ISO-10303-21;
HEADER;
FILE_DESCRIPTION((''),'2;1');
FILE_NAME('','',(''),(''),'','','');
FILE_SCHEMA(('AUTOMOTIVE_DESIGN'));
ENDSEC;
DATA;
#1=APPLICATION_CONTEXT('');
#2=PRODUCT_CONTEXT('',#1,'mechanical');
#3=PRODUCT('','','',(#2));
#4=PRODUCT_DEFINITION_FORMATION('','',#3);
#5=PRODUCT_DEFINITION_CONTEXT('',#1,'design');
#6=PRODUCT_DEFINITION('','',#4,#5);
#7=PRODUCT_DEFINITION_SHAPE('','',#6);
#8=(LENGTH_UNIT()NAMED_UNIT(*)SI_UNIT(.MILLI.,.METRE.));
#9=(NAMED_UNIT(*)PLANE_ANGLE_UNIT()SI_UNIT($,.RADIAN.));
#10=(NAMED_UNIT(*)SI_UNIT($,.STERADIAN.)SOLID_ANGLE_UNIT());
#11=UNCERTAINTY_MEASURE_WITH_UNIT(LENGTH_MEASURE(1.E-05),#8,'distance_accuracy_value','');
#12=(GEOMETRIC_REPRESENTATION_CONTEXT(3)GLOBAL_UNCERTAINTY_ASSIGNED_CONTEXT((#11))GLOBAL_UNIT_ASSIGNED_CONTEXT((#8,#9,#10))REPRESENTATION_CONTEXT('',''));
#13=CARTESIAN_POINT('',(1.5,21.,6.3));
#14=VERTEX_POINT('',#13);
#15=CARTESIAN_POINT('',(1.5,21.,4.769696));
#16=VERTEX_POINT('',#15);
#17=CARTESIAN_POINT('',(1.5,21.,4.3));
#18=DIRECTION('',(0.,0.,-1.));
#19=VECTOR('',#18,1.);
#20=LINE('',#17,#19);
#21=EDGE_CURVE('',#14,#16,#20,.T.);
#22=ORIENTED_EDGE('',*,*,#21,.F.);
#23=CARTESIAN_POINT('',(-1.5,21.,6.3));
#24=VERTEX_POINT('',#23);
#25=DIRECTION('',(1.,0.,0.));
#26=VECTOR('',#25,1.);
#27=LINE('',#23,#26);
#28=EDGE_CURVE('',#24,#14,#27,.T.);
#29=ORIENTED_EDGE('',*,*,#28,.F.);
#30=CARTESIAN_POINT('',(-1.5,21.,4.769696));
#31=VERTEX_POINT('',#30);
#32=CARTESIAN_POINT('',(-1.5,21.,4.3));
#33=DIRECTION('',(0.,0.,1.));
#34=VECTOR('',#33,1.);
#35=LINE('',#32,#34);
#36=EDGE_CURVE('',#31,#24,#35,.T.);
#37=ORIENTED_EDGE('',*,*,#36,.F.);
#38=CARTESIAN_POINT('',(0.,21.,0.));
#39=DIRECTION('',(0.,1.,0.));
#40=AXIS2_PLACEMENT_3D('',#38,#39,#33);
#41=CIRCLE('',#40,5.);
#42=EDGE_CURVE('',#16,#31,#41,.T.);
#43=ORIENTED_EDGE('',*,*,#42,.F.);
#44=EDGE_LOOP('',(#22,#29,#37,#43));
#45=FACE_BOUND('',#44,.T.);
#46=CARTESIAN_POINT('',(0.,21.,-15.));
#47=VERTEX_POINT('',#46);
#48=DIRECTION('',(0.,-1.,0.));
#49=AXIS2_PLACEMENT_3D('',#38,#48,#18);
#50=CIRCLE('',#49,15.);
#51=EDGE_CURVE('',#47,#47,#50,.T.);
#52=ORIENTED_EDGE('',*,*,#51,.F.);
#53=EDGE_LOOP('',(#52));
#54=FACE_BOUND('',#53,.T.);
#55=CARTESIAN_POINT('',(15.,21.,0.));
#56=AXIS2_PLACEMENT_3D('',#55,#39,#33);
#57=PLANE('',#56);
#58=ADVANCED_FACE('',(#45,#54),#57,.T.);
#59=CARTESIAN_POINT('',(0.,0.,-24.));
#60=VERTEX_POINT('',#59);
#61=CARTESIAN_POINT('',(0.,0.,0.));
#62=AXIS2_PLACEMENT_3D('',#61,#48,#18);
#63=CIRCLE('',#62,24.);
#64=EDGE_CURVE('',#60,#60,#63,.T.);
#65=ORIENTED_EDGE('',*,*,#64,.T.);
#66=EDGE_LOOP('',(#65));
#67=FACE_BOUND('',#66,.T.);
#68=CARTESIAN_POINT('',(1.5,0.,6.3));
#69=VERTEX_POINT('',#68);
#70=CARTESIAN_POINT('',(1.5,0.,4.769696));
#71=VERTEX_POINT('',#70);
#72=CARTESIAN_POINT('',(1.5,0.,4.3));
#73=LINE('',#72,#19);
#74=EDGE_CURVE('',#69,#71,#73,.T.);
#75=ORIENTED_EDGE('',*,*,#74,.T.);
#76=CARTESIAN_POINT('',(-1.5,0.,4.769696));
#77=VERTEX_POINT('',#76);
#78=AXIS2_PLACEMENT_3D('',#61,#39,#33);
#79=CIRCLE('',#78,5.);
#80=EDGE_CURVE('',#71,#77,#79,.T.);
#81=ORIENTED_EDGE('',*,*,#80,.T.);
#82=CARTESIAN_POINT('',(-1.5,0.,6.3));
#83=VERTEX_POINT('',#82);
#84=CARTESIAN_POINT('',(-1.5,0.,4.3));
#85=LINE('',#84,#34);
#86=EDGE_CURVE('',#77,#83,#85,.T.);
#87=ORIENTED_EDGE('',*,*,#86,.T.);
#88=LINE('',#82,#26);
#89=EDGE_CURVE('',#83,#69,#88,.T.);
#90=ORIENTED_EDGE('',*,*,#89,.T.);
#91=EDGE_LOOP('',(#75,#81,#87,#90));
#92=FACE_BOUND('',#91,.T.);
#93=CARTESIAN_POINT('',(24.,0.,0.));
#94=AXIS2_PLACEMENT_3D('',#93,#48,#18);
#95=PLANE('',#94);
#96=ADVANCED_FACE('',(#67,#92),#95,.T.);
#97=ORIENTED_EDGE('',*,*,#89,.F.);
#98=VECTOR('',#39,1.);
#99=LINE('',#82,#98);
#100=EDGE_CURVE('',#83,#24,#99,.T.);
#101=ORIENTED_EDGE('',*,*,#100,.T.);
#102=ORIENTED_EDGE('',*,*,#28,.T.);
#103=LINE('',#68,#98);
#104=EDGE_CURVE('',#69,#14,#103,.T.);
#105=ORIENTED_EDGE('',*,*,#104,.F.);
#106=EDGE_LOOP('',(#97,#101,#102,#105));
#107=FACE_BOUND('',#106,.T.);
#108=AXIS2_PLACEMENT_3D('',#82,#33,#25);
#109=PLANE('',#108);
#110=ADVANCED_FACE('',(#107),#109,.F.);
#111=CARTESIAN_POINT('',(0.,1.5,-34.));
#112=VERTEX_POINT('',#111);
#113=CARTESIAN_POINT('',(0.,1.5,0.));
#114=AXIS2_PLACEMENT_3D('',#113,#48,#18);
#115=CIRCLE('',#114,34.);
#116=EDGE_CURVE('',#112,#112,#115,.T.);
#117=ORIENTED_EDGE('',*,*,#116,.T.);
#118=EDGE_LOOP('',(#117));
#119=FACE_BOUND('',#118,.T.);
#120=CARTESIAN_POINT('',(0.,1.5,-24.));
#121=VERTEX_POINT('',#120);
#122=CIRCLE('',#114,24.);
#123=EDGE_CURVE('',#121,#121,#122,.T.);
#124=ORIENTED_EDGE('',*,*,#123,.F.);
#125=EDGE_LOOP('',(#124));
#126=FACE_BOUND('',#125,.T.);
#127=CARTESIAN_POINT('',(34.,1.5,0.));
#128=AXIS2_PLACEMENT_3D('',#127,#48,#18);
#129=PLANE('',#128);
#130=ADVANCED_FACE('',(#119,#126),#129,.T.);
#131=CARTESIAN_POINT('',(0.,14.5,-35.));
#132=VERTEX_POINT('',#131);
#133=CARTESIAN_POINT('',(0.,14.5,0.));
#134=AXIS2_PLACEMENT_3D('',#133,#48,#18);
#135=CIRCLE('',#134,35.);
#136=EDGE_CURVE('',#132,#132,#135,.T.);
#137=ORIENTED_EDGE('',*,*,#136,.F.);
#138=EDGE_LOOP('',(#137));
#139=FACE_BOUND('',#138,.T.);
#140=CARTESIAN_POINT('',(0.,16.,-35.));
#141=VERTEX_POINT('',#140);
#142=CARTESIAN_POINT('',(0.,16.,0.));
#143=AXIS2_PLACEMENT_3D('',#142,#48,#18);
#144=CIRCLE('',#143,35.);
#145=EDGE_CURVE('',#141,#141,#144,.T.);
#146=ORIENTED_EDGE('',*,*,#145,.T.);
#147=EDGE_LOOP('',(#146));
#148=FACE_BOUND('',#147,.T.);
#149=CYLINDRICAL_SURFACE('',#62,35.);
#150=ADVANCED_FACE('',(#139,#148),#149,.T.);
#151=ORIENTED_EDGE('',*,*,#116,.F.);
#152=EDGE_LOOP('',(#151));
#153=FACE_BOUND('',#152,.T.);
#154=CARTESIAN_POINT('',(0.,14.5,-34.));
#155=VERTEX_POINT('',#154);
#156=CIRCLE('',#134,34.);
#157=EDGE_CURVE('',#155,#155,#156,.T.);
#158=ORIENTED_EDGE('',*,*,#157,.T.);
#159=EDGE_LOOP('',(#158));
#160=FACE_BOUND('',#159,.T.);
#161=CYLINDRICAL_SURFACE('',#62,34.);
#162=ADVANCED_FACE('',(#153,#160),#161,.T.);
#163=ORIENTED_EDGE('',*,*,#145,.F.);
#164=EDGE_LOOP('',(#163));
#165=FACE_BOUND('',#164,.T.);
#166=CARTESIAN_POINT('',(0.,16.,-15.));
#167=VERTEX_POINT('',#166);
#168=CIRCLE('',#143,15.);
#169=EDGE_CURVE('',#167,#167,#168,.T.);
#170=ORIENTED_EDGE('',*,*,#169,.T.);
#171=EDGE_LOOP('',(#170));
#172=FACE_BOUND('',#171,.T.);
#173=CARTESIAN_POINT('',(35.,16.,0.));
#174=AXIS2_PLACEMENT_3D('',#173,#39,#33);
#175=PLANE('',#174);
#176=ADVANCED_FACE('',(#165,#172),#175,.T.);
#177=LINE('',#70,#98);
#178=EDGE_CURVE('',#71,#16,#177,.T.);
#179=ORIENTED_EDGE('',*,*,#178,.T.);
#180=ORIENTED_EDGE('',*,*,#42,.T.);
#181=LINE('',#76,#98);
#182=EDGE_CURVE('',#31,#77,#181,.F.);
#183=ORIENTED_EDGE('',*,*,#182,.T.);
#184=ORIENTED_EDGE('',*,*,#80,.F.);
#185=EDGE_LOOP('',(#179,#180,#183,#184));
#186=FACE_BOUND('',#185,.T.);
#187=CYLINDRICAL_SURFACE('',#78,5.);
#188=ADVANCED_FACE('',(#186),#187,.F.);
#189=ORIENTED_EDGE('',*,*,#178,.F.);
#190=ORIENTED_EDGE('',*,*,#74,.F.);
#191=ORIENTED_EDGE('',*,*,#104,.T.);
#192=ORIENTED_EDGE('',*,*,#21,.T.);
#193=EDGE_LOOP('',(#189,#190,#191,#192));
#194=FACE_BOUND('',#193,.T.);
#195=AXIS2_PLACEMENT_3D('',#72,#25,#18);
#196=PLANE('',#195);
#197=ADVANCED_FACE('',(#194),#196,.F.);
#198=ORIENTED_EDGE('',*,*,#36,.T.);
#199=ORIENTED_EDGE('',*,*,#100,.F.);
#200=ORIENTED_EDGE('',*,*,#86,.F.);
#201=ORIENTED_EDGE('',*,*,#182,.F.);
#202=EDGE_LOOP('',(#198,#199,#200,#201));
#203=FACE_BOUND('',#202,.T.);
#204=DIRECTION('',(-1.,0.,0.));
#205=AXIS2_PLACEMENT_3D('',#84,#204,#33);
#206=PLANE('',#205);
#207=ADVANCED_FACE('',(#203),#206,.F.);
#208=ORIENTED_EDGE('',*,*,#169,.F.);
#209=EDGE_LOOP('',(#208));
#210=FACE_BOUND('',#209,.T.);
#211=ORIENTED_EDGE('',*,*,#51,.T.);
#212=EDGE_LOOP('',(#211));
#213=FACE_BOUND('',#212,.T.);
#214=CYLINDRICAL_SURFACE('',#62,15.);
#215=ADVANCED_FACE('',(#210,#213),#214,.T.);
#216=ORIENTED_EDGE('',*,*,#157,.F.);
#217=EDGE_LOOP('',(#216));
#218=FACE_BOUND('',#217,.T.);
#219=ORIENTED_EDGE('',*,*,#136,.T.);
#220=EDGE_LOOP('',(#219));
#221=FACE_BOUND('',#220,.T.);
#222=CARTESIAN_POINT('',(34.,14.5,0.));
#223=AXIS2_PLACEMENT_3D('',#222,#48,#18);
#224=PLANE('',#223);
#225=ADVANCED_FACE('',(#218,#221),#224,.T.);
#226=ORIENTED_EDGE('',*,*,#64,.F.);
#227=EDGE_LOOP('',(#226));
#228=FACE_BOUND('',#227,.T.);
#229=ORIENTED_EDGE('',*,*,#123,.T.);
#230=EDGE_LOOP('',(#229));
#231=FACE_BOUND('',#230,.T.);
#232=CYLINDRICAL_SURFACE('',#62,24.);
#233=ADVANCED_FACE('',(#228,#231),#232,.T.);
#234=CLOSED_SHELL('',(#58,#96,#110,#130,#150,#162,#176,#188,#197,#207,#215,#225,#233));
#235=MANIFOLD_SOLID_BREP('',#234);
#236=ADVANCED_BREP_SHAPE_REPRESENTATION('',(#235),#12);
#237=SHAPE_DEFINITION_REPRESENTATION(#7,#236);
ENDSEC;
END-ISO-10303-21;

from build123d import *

# Parameters (mm, degrees)
SKETCH2_R          = 5
CUT_EXTRUDE1_DEPTH = 54.768020235
SKETCH3_W          = 3
SKETCH3_H          = 2
CUT_EXTRUDE2_DEPTH = 54.768020235


with BuildPart() as part:
    # Sketch1 → Revolve2 (revolve)
    with BuildSketch(Plane.XY, mode=Mode.PRIVATE) as revolve2_sk:
        Polygon((34, 14.5), (34, 1.5), (24, 1.5), (24, 0), (0, 0), (0, 21), (15, 21), (15, 16), (35, 16), (35, 14.5), align=None)
    revolve(revolve2_sk.sketch.rotate(Axis((0, 0, 0), (0, 1, 0)), 90), axis=Axis((0, 0, 0), (0, 1, 0)))

    # Sketch2 → Cut-Extrude1 (cut, through all)
    with BuildSketch(Plane(origin=(0, 21, 0), x_dir=(1, 0, 0), z_dir=(0, 1, 0))):
        with Locations(Location((0, 0, 0), (0, 0, 270))):
            Circle(SKETCH2_R)
    extrude(amount=-CUT_EXTRUDE1_DEPTH, mode=Mode.SUBTRACT)

    # Sketch3 → Cut-Extrude2 (cut, through all)
    with BuildSketch(Plane(origin=(0, 21, 0), x_dir=(1, 0, 0), z_dir=(0, 1, 0))):
        with Locations((0, -5.3)):
            Rectangle(SKETCH3_W, SKETCH3_H)
    extrude(amount=-CUT_EXTRUDE2_DEPTH, mode=Mode.SUBTRACT)


solid = part.part
